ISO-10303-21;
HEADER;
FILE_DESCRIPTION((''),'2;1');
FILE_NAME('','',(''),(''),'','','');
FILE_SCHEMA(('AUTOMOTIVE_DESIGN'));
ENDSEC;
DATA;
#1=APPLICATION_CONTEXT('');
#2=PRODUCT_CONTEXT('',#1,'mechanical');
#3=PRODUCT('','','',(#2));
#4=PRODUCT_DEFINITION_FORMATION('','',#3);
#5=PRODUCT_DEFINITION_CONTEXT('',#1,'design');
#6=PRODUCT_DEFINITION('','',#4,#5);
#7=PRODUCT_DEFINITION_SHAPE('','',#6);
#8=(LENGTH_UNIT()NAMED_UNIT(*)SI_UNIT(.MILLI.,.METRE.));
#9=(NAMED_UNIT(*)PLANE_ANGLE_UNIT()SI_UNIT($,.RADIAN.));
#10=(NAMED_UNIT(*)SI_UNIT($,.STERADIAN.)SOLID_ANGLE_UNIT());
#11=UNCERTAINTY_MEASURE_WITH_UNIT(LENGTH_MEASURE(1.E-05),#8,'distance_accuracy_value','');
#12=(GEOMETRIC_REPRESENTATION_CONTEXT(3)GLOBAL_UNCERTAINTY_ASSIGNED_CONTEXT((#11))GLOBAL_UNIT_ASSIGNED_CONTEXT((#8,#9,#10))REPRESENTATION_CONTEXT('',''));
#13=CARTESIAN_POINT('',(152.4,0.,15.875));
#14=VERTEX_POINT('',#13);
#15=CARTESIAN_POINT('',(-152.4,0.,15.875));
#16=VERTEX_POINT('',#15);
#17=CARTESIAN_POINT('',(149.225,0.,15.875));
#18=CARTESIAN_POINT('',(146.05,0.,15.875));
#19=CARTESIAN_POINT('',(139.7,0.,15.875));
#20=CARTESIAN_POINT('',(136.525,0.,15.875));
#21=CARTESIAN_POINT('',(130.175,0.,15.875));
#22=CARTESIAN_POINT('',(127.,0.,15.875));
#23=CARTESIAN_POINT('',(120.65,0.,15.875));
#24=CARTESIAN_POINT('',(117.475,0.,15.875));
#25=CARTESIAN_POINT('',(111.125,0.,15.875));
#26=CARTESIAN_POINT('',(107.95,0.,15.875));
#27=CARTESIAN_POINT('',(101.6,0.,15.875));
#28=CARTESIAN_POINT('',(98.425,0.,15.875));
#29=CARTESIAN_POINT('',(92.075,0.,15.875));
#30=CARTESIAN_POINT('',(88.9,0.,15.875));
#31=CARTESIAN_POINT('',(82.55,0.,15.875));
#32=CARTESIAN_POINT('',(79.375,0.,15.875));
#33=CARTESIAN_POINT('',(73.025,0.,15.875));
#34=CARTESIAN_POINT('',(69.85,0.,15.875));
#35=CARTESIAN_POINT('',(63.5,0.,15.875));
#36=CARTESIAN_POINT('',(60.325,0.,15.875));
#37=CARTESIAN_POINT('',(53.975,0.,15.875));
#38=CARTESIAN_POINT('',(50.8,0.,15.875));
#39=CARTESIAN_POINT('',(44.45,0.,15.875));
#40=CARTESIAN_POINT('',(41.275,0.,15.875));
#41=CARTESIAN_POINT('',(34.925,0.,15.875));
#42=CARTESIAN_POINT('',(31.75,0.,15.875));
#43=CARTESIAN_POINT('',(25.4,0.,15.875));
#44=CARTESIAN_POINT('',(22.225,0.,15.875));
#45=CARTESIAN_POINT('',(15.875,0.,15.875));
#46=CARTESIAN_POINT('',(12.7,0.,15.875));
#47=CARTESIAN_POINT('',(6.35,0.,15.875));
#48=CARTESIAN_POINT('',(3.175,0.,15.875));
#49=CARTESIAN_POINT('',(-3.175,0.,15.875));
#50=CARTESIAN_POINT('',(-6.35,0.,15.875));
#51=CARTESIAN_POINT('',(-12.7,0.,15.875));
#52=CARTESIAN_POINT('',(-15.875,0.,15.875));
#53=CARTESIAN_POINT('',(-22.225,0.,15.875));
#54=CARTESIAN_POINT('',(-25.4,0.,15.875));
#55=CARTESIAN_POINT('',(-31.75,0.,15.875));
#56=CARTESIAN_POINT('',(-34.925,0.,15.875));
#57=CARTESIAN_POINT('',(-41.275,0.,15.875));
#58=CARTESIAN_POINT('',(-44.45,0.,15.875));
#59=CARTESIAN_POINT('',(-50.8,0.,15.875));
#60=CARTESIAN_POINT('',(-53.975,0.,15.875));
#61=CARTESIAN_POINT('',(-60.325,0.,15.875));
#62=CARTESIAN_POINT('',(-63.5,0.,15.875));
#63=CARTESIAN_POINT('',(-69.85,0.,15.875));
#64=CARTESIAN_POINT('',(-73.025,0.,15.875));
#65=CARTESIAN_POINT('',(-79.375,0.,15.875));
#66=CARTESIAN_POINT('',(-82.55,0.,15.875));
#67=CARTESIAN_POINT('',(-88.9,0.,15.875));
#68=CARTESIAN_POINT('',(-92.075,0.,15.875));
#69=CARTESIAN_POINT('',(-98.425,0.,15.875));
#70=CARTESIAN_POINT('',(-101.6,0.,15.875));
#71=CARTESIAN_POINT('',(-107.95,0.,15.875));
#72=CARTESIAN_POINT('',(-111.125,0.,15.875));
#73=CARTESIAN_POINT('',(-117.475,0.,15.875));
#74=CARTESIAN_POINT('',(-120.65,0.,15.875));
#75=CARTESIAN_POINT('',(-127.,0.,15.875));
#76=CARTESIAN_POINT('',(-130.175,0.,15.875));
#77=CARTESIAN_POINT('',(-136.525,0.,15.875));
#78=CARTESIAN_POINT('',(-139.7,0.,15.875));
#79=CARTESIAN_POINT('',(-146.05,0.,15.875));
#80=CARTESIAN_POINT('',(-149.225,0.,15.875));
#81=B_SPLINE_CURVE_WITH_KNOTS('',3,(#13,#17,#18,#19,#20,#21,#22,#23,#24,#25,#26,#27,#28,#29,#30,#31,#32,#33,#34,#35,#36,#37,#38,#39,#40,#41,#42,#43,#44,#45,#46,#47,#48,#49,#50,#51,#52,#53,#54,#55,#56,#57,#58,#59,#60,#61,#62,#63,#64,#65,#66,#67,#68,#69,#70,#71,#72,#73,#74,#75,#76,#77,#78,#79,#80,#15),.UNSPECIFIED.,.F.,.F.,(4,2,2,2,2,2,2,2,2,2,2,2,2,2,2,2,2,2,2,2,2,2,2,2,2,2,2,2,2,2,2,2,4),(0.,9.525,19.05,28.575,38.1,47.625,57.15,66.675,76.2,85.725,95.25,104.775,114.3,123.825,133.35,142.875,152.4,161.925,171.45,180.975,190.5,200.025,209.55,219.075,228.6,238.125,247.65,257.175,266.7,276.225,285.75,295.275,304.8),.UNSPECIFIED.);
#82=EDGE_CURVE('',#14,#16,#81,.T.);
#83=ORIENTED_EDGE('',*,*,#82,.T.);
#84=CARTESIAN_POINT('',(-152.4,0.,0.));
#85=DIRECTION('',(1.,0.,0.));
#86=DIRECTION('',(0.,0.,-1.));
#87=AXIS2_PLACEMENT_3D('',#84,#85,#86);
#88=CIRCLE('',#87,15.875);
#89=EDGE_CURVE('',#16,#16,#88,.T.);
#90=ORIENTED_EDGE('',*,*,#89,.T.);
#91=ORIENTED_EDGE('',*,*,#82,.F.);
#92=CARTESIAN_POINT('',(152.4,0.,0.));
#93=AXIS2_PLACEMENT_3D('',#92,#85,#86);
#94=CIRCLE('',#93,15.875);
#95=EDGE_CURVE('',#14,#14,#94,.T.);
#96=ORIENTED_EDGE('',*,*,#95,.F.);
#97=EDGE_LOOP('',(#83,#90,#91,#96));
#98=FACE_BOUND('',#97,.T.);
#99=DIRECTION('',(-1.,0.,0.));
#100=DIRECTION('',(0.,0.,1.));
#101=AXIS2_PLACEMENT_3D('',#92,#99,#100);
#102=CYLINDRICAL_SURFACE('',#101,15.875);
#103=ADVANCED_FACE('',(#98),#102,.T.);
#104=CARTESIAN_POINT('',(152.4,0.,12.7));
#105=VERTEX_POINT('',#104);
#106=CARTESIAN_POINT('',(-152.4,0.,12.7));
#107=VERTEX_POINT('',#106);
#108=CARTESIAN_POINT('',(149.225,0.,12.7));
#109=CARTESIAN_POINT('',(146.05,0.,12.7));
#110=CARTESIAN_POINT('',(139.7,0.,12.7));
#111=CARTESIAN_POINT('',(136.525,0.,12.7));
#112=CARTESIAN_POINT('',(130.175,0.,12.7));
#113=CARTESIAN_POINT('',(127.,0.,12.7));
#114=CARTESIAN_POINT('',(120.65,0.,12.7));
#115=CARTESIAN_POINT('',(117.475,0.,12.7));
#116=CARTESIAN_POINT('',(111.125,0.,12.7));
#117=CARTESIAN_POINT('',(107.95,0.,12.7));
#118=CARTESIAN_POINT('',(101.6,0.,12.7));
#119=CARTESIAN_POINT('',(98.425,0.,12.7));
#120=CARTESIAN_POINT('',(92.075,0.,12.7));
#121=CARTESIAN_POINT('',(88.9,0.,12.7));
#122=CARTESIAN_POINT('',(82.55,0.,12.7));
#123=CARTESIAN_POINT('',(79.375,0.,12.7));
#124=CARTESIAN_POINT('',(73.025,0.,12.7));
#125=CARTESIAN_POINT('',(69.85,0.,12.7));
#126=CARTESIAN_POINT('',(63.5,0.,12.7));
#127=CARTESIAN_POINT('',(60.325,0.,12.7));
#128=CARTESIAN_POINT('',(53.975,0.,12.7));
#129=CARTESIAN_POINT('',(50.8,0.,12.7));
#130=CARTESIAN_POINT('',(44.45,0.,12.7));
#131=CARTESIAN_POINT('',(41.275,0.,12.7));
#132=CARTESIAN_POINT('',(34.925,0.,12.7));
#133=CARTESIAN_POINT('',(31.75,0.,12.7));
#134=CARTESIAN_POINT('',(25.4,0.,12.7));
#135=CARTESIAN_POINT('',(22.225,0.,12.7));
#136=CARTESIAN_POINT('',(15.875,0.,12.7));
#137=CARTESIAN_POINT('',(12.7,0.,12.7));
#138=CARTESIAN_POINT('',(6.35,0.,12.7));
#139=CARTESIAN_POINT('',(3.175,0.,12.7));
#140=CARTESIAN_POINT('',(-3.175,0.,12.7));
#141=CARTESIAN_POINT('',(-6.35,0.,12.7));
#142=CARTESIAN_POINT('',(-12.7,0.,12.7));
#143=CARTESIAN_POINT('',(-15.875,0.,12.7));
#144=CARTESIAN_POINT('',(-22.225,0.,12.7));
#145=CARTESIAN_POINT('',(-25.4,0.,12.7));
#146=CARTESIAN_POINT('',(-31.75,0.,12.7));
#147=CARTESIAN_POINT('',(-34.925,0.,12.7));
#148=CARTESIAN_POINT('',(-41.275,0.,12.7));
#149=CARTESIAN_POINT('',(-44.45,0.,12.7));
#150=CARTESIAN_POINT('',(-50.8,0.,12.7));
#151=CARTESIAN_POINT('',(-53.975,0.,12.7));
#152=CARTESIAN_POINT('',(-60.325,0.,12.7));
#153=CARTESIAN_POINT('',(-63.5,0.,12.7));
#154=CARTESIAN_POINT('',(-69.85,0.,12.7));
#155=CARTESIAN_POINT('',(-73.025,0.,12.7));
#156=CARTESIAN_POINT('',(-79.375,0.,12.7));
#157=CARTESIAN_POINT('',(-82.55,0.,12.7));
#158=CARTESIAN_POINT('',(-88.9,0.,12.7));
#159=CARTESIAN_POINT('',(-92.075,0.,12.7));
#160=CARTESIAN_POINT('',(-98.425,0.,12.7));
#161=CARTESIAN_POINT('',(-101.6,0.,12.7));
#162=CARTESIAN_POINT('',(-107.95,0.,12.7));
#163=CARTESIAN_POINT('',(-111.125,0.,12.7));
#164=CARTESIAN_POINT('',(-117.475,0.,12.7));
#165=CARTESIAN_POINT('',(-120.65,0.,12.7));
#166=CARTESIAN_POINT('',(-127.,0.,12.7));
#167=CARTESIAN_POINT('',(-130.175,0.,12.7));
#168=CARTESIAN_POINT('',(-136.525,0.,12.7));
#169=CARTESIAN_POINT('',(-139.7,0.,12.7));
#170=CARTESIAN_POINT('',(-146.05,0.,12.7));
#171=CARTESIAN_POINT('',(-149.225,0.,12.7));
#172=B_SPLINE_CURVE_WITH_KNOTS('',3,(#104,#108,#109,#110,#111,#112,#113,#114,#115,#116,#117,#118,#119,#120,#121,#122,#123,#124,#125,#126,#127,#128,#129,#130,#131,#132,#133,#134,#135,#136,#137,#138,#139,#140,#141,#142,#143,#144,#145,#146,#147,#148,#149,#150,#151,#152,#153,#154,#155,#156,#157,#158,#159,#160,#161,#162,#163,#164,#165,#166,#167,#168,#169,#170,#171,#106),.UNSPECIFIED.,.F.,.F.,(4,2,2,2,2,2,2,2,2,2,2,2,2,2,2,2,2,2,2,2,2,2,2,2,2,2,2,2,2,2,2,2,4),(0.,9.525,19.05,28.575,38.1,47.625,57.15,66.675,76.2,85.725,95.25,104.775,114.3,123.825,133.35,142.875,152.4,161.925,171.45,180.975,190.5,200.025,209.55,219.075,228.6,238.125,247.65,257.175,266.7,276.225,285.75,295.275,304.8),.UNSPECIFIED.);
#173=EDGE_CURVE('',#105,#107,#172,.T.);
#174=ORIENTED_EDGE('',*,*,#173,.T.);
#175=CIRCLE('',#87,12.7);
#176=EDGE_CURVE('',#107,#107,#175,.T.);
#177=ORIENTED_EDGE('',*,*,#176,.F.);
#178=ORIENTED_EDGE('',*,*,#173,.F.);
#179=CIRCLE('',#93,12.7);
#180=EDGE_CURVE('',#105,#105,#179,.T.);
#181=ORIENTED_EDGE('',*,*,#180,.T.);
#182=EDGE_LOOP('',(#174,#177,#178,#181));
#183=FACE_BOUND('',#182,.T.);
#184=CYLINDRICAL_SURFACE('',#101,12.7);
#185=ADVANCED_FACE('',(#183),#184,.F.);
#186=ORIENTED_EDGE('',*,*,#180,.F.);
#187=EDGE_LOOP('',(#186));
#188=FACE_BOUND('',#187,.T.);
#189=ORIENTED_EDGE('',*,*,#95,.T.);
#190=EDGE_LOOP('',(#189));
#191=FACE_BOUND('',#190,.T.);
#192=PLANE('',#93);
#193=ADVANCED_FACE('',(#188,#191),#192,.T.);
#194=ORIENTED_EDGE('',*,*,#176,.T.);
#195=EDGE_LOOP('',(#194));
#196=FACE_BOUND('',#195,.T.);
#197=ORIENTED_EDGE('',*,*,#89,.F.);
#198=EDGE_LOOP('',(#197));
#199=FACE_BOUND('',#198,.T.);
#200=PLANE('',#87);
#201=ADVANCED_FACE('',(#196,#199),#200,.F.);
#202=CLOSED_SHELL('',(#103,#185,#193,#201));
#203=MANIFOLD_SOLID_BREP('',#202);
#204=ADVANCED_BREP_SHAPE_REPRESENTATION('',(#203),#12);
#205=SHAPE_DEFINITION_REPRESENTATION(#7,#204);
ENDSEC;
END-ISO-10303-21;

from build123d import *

# Parameters (mm, degrees)
SKETCH1_R      = 15.875
SKETCH1_R_2    = 12.7
EXTRUDE1_DEPTH = 152.4


with BuildPart() as part:
    # Sketch1 → Extrude1 (new, symmetric)
    with BuildSketch(Plane(origin=(0, 0, 0), x_dir=(0, 0, -1), z_dir=(1, 0, 0))):
        with Locations(Location((0, 0, 0), (0, 0, 180))):
            Circle(SKETCH1_R)
        with Locations(Location((0, 0, 0), (0, 0, 180))):
            Circle(SKETCH1_R_2, mode=Mode.SUBTRACT)
    extrude(amount=EXTRUDE1_DEPTH, both=True)


solid = part.part
